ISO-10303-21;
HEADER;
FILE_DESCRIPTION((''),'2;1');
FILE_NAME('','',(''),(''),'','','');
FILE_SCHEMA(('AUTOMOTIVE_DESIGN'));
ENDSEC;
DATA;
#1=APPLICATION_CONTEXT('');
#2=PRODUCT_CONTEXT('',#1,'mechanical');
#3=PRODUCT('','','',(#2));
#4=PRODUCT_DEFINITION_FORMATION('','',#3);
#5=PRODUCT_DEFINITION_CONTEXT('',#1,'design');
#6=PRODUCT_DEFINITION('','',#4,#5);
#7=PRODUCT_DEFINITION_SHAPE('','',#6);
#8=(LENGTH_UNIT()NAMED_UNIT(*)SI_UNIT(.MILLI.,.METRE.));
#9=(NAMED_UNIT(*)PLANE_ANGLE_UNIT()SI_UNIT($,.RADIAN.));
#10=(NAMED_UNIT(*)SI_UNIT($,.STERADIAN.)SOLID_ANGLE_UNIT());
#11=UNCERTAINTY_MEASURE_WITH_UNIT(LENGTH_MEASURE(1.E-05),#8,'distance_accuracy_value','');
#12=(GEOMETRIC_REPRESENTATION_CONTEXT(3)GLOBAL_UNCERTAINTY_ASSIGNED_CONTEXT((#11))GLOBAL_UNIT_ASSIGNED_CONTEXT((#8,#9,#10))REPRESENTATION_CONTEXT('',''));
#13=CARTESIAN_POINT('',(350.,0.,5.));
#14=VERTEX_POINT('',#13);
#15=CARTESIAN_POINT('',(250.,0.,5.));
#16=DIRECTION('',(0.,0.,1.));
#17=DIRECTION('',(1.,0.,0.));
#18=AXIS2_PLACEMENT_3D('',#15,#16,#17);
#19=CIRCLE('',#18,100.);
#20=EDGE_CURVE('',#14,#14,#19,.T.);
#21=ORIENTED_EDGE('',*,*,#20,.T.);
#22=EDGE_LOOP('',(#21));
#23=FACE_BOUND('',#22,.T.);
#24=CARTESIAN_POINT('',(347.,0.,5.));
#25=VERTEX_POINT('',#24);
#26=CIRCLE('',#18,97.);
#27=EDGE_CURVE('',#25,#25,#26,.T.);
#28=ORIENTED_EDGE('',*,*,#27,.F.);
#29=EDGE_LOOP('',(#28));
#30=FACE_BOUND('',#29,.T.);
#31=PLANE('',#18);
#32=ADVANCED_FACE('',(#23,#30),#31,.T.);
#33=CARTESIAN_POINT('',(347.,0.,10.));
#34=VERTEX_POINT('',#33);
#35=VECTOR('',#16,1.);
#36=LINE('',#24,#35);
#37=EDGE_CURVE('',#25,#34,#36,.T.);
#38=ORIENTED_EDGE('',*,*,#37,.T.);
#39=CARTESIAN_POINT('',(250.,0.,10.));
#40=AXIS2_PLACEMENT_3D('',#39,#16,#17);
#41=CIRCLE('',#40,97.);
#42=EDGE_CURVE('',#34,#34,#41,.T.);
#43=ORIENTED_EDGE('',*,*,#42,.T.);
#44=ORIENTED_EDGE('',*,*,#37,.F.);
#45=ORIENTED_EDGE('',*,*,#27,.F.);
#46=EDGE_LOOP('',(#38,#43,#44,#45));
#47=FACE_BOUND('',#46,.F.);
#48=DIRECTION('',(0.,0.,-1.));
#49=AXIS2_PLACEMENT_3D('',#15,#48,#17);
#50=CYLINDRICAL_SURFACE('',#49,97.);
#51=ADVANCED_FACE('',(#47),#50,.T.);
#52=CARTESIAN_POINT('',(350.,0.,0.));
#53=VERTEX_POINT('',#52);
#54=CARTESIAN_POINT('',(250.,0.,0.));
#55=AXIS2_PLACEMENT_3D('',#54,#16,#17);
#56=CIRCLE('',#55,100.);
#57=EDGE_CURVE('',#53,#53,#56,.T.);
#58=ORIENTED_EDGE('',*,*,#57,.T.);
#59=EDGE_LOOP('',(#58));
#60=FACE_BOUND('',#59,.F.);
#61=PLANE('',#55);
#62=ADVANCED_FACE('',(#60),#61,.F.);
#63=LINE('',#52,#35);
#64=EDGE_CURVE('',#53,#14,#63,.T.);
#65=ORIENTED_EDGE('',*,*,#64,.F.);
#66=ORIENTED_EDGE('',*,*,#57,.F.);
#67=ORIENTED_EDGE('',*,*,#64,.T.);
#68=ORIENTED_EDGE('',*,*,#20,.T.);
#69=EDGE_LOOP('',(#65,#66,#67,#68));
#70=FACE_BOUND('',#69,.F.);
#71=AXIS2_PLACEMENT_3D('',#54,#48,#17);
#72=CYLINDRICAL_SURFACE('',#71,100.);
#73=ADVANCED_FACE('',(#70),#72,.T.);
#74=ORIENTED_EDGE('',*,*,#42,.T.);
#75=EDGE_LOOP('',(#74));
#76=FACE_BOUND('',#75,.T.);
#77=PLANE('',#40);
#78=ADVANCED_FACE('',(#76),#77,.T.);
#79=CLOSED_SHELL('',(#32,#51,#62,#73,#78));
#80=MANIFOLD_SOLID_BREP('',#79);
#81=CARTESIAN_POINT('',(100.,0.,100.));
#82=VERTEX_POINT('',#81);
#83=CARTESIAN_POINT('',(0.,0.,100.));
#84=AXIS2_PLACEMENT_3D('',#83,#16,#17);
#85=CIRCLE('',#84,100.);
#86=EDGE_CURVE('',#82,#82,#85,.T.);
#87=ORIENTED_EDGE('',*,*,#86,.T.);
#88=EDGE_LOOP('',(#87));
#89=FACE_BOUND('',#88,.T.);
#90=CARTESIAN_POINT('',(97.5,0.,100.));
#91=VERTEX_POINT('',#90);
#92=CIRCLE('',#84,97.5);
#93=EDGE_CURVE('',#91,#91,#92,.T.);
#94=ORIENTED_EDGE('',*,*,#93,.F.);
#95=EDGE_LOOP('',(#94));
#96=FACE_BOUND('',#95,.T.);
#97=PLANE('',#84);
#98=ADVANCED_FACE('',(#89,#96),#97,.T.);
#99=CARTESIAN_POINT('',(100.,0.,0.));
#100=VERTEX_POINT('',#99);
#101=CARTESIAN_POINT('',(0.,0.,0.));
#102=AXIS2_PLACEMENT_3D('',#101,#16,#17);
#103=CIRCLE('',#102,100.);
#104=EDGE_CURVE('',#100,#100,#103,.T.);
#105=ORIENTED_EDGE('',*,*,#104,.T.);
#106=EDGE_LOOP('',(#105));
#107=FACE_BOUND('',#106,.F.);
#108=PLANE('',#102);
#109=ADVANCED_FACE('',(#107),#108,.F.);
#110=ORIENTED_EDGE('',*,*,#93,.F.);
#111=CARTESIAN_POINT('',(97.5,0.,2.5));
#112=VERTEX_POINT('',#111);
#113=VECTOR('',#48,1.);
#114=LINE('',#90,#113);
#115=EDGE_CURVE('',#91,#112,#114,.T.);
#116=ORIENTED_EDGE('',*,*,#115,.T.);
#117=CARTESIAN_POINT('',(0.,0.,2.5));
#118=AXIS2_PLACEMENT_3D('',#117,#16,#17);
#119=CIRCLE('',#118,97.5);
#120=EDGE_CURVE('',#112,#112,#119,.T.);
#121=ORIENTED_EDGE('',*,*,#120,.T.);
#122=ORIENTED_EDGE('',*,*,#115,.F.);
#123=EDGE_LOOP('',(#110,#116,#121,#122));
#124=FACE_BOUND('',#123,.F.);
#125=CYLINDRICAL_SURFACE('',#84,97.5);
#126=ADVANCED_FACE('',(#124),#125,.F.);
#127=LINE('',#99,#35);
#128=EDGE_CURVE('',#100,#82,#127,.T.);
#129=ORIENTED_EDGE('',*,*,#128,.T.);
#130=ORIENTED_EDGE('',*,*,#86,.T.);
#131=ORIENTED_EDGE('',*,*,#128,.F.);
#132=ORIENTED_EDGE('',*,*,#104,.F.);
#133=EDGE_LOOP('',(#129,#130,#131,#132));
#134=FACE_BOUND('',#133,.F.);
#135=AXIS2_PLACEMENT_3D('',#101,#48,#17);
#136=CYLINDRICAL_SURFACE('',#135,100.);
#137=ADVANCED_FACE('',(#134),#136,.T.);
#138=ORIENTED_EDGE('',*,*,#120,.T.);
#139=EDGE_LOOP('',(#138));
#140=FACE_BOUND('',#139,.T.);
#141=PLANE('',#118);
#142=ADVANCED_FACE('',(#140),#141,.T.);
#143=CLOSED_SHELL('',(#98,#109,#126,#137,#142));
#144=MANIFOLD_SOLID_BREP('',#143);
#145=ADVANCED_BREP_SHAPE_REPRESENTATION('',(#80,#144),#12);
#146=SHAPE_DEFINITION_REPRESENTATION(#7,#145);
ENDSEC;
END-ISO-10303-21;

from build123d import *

# Parameters (mm, degrees)
SKETCH_R     = 100
PAD_DEPTH    = 100
SKETCH001_R  = 97.5
POCKET_DEPTH = 97.5
SKETCH002_R  = 100
PAD001_DEPTH = 5
SKETCH003_R  = 97
PAD002_DEPTH = 5


with BuildPart() as box:
    # Sketch → Pad (new body)
    with BuildSketch(Plane.XY):
        Circle(SKETCH_R)
    extrude(amount=PAD_DEPTH)

    # Sketch001 (on Face3 of Pad) → Pocket (cut)
    with BuildSketch(Plane.XY.offset(100)):
        Circle(SKETCH001_R)
    extrude(amount=-POCKET_DEPTH, mode=Mode.SUBTRACT)


with BuildPart() as lid:
    # Sketch002 → Pad001 (new body)
    with BuildSketch(Plane.XY):
        with Locations((250, 0)):
            Circle(SKETCH002_R)
    extrude(amount=PAD001_DEPTH)

    # Sketch003 (on Face3 of Pad001) → Pad002 (join)
    with BuildSketch(Plane.XY.offset(5)):
        with Locations((250, 0)):
            Circle(SKETCH003_R)
    extrude(amount=PAD002_DEPTH)


solid = Compound([box.part, lid.part])
